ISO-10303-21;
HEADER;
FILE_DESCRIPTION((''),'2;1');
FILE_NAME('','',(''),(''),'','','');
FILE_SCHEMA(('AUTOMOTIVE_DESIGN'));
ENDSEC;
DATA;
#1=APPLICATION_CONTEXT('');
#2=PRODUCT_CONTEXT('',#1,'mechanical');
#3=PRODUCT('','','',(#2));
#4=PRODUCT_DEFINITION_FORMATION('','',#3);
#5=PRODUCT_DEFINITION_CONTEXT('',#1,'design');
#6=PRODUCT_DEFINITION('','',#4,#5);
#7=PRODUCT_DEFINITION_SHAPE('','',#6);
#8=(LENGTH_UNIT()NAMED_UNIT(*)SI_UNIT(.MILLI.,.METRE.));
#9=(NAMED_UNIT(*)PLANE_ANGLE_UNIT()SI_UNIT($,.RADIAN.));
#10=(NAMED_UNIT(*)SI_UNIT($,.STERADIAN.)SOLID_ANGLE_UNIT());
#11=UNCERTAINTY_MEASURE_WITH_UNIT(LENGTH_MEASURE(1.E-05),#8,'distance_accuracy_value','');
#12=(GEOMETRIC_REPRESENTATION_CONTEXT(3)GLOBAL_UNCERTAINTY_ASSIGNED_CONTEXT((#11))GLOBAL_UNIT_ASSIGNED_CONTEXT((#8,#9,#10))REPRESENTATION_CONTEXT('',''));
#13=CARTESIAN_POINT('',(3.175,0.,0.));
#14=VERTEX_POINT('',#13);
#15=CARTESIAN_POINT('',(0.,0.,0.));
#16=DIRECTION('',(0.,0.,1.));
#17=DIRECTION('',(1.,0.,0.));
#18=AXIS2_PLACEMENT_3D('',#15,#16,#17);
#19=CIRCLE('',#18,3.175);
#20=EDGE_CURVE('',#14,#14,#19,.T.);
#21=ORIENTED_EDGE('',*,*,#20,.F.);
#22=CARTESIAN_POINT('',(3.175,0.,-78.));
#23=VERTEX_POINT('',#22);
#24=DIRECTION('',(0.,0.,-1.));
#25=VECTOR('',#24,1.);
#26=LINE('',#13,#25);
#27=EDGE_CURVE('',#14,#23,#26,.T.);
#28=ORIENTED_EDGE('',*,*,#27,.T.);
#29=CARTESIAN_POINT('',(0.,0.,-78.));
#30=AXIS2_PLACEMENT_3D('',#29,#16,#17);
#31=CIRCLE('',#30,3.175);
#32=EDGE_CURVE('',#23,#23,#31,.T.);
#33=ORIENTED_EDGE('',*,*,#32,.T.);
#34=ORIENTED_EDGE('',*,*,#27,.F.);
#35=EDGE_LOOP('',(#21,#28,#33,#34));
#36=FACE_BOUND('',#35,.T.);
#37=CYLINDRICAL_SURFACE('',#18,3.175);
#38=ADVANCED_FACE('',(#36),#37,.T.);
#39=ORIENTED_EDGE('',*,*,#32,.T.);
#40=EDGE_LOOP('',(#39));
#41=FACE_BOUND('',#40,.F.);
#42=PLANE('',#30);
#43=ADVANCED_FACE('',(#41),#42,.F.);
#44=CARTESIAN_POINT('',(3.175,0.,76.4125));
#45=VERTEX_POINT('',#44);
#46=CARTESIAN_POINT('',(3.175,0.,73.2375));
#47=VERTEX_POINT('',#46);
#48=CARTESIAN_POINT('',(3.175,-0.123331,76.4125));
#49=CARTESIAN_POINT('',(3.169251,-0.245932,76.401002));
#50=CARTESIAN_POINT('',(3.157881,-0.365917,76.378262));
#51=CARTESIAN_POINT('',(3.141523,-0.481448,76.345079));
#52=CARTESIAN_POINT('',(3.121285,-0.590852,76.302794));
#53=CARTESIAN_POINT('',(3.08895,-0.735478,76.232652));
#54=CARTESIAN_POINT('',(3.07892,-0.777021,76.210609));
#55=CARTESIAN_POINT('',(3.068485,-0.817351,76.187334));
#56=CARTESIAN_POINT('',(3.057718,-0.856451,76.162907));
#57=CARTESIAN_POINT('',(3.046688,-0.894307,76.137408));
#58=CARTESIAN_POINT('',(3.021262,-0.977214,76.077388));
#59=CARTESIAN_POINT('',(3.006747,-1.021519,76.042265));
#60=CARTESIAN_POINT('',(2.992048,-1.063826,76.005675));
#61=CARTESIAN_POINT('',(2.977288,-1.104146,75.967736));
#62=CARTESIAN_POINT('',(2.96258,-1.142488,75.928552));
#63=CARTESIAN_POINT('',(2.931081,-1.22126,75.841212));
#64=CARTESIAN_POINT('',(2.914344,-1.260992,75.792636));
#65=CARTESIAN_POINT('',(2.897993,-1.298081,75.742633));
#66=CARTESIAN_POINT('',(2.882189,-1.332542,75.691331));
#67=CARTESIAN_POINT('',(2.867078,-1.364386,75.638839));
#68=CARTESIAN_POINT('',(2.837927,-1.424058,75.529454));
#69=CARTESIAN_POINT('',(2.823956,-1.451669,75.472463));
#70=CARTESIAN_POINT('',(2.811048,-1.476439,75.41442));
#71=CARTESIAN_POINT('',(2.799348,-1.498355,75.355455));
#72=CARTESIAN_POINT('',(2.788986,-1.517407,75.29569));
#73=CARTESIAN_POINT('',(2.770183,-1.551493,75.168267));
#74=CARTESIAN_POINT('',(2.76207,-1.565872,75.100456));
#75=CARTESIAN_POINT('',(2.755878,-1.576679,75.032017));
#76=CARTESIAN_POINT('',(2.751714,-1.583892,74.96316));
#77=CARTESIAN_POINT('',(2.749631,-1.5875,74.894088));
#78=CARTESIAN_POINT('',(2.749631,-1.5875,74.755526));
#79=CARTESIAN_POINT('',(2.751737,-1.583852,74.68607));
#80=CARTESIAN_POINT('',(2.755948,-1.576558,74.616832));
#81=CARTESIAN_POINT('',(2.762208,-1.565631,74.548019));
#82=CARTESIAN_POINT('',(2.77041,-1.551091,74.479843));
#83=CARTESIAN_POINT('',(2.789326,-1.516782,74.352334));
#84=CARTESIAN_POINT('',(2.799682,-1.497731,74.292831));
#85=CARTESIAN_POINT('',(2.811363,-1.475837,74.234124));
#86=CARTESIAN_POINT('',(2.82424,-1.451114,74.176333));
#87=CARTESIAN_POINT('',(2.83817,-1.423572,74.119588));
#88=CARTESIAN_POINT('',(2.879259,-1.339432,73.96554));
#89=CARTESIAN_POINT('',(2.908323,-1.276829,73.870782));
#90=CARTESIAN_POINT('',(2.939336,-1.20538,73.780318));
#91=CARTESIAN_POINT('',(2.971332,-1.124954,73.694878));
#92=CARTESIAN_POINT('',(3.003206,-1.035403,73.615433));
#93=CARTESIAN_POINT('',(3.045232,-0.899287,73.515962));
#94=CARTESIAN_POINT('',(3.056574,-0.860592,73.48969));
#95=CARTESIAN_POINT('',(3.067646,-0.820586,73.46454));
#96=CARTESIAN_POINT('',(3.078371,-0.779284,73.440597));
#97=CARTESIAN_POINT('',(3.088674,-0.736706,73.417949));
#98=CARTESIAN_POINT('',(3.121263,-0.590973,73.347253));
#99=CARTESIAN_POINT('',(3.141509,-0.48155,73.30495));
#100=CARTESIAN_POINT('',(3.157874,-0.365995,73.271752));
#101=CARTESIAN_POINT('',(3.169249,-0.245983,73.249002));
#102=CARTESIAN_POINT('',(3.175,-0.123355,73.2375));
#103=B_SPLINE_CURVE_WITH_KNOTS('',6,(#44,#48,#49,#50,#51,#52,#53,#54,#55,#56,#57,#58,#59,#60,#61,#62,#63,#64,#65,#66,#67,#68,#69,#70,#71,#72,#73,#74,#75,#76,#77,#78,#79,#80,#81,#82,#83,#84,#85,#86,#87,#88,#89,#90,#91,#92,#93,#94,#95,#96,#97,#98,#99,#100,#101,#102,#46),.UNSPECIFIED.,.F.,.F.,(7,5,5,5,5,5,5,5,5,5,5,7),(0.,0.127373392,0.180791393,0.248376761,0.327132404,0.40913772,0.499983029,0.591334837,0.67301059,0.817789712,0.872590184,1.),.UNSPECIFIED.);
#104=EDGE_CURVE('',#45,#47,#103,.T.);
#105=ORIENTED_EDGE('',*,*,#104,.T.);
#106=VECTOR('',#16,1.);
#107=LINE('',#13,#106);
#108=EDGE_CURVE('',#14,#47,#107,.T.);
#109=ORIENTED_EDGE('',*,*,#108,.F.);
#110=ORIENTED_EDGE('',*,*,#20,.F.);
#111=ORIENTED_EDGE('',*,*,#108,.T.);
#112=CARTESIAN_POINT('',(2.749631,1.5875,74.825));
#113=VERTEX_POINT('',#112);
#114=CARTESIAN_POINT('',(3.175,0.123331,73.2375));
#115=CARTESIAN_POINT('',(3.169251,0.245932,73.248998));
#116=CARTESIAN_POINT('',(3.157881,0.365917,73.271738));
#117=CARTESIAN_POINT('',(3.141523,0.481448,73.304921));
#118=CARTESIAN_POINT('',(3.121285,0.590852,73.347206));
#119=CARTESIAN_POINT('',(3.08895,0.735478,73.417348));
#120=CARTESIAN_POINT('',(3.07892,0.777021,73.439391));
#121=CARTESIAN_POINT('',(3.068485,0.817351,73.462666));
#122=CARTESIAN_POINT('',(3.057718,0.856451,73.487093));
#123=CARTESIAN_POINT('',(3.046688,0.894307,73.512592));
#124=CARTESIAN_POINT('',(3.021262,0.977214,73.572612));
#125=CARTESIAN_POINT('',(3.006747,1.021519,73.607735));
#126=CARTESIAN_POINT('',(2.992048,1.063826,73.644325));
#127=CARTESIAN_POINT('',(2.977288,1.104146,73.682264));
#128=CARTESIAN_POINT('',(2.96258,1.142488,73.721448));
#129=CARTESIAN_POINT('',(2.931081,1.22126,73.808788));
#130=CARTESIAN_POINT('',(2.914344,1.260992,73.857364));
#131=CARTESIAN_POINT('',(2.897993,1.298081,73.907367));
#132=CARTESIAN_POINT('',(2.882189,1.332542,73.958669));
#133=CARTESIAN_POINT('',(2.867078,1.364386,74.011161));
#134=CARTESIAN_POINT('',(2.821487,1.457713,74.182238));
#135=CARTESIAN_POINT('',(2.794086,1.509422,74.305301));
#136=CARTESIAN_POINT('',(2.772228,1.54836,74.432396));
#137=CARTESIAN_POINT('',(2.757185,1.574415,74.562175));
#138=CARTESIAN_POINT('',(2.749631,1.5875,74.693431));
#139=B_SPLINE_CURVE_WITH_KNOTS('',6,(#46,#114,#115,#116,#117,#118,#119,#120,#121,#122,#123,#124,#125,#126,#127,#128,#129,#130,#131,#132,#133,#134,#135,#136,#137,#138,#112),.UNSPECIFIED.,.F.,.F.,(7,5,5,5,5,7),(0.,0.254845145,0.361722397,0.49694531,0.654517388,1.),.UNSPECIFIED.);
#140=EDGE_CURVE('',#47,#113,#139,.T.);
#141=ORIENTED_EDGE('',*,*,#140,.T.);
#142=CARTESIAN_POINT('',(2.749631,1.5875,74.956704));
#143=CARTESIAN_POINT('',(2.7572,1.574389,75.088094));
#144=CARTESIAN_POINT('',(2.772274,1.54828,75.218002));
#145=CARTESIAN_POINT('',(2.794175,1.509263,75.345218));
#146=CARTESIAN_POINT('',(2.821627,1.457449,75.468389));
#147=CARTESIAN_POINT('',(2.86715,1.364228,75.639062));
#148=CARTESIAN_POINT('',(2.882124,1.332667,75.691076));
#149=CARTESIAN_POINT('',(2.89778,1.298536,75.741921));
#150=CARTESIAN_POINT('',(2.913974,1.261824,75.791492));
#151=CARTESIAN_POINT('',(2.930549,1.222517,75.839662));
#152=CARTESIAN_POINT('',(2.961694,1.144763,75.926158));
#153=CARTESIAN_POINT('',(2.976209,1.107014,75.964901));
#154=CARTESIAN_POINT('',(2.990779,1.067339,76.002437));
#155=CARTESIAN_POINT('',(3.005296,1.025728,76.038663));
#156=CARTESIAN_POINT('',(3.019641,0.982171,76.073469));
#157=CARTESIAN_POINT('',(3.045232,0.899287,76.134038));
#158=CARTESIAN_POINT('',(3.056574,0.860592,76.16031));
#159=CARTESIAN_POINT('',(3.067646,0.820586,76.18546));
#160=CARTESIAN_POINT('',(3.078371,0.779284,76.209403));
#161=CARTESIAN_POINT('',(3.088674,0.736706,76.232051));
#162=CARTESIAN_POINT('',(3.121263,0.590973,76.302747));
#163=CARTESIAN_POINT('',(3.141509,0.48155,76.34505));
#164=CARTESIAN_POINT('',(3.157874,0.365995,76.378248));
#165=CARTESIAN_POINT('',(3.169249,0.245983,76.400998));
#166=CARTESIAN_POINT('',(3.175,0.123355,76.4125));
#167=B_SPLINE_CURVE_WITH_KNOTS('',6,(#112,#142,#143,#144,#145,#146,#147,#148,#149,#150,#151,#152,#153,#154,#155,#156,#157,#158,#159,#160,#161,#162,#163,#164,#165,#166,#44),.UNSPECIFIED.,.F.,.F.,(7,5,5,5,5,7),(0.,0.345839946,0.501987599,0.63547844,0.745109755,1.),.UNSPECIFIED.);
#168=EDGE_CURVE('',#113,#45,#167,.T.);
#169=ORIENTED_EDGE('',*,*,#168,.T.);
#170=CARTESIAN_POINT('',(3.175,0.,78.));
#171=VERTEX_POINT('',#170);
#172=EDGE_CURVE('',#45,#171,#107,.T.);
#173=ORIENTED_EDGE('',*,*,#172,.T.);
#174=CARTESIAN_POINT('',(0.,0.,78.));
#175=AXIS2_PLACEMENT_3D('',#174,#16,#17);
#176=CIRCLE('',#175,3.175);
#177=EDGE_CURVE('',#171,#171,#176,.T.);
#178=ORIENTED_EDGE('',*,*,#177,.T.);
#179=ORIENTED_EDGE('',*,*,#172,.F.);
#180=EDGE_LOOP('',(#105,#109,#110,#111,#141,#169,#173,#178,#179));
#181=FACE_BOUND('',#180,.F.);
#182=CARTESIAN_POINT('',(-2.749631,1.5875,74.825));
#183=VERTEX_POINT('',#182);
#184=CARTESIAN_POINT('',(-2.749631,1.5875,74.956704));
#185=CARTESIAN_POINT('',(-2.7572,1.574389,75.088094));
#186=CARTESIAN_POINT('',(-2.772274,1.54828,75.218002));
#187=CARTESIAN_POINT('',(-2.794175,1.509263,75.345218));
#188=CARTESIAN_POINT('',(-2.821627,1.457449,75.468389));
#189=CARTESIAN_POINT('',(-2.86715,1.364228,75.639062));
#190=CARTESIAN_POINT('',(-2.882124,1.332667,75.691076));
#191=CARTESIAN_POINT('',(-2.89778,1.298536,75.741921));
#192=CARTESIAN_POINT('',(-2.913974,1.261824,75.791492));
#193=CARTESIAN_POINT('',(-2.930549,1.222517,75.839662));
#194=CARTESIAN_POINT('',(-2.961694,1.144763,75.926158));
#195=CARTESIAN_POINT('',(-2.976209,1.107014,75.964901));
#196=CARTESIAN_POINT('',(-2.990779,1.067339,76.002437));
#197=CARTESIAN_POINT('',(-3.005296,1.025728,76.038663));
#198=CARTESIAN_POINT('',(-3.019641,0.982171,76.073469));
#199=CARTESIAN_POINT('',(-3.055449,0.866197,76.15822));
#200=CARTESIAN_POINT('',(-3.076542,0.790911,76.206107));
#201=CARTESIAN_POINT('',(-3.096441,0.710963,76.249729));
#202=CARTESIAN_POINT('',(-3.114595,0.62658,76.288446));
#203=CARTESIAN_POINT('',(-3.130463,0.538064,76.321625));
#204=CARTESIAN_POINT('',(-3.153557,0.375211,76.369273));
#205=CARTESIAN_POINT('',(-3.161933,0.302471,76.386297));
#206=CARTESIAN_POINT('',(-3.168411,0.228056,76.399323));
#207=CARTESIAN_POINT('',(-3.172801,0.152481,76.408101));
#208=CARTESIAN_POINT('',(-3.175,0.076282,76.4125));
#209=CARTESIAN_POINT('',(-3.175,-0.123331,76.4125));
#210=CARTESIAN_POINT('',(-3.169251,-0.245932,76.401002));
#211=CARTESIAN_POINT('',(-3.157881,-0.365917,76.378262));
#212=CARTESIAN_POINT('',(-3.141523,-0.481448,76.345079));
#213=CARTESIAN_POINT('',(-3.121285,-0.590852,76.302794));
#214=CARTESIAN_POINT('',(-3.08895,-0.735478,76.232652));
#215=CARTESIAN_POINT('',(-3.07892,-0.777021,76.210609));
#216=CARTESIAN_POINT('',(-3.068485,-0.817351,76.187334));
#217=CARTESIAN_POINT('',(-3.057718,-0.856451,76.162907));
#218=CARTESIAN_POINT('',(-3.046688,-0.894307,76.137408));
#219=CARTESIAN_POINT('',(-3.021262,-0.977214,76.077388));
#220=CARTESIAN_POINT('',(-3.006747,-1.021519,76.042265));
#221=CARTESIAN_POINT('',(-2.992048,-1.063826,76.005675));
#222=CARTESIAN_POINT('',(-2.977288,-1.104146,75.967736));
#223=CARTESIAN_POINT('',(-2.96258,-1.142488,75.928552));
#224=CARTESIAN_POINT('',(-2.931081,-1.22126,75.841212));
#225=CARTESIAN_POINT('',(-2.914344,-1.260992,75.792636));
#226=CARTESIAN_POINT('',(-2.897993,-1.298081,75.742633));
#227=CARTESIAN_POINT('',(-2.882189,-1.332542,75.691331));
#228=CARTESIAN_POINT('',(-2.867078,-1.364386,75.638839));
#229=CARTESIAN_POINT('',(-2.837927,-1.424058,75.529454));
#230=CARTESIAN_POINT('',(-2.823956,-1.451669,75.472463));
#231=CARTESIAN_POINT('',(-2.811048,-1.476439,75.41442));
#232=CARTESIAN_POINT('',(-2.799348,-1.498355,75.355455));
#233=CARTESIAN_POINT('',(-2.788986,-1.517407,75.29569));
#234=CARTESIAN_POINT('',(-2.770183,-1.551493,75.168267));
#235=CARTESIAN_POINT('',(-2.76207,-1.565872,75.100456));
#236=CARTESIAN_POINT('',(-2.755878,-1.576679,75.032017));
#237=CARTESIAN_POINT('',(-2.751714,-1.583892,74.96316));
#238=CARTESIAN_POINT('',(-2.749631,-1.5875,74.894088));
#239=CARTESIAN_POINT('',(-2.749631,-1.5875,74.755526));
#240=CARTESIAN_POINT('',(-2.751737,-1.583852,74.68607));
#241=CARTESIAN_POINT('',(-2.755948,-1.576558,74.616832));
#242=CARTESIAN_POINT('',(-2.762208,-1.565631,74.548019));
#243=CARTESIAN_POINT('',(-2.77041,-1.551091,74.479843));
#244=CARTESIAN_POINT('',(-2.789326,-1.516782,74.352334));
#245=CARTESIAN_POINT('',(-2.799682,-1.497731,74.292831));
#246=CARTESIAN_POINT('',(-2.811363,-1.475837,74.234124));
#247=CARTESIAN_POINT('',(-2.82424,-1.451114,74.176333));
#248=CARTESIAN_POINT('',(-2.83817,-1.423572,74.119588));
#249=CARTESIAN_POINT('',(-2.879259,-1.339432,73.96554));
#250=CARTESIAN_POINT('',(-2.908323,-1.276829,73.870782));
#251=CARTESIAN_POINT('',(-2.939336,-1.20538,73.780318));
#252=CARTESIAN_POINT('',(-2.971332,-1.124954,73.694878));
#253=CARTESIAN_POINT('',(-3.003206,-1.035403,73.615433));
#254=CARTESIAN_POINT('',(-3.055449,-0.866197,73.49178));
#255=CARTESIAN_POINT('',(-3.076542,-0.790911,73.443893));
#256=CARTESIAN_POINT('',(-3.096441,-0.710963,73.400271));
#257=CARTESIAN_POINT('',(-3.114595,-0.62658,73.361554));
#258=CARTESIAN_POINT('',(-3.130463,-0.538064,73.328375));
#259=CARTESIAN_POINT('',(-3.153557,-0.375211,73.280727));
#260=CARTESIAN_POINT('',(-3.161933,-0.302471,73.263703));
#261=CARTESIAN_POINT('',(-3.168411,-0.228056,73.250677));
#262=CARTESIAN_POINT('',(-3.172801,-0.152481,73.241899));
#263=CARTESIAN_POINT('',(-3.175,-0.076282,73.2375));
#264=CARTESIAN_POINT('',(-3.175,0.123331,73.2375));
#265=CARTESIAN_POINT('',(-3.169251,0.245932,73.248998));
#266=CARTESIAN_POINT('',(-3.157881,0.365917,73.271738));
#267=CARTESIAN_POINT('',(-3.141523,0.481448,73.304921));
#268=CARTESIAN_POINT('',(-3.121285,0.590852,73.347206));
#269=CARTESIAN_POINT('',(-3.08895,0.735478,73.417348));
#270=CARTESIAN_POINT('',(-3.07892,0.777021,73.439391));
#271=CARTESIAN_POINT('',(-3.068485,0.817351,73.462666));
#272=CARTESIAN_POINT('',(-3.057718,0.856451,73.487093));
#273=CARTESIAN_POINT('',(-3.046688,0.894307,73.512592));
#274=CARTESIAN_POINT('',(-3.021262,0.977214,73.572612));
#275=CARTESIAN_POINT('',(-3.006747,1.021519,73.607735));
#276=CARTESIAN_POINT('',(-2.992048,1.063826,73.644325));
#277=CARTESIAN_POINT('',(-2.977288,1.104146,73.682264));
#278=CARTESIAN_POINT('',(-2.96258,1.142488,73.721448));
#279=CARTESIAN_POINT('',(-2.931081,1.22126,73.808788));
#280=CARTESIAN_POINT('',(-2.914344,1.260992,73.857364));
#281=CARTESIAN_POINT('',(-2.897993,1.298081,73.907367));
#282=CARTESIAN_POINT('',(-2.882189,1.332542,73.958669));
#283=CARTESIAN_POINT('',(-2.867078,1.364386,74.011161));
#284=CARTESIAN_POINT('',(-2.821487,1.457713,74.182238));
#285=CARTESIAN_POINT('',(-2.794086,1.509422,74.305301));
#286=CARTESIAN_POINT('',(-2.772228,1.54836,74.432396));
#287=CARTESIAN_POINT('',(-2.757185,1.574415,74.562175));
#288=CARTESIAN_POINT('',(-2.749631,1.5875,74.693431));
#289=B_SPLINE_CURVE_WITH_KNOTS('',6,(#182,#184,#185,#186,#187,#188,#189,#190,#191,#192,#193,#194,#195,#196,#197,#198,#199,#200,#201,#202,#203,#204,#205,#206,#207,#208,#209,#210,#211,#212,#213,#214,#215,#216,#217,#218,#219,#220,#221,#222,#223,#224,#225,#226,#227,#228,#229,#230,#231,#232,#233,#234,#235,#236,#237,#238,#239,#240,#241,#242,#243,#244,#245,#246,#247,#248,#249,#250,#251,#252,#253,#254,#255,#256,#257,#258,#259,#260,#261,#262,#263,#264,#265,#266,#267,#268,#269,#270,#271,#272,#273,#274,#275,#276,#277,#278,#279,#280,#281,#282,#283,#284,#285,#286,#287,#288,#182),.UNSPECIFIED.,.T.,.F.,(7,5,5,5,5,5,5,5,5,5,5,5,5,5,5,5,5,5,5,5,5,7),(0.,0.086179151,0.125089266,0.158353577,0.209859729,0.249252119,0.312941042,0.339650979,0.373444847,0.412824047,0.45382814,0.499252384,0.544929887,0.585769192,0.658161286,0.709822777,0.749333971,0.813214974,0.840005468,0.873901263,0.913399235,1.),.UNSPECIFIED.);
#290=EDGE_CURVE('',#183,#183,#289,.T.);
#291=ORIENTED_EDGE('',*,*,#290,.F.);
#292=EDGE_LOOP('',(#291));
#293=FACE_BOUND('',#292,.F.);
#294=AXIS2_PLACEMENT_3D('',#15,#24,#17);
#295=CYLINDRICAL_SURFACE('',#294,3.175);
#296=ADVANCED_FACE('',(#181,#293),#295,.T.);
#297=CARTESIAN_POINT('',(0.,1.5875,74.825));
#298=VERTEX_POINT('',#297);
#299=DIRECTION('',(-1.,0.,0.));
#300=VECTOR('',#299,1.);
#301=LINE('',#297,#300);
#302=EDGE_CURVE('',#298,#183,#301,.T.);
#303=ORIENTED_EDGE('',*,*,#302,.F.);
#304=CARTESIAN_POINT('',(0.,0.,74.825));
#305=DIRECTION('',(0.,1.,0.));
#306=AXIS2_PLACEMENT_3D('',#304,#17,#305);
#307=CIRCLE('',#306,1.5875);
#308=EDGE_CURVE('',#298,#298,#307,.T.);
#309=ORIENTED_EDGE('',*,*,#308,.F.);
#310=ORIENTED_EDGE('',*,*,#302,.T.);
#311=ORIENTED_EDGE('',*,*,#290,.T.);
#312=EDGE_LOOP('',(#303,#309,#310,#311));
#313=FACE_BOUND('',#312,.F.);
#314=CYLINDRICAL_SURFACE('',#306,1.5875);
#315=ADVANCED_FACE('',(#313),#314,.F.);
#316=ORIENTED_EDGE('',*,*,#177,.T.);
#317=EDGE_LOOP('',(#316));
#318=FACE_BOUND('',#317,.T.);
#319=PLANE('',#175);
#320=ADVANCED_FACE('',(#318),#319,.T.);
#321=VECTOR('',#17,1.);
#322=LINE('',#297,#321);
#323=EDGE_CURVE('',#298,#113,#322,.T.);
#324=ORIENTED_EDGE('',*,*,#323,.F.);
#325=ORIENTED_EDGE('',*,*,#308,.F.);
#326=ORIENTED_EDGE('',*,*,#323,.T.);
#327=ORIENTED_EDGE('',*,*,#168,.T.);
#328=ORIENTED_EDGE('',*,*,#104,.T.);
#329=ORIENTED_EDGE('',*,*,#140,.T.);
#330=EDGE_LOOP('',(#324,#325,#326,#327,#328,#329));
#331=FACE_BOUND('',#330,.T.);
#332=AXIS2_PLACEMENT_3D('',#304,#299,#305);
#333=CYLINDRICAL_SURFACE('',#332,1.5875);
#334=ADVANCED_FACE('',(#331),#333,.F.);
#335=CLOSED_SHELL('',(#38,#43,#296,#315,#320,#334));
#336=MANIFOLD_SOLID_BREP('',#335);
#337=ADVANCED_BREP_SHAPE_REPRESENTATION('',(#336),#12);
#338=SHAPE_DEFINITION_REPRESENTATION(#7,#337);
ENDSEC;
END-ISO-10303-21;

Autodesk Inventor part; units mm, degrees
ref_plane "YZ Plane" through (0, 0, 0) normal (1, 0, 0) x (0, 1, 0)
ref_plane "XZ Plane" through (0, 0, 0) normal (0, 1, 0) x (-1, 0, 0)
ref_plane "XY Plane" through (0, 0, 0) normal (0, 0, 1) x (1, 0, 0)
sketch "Sketch1" plane through (0, 0, 0) normal (0, 0, 1) x (1, 0, 0)
  circle A0 centre (0, 0) radius 3.175
  dimension "d0" = 6.35
extrude "Extrusion1" add sketch "Sketch1" along normal mid plane 156
sketch "Sketch2" plane through (0, 0, 0) normal (1, 0, 0) x (0, 1, 0)
  circle A0 centre (0, 74.825) radius 1.5875
  line L0 (3.175, 78) -> (-3.175, 78) projected
  point P0 (0, 0)
  point P1 (0, 78)
  dimension "d3" = 3.175
  dimension "d4" = 3.175
extrude "Extrusion2" cut sketch "Sketch2" along normal through all both and the other way through all
properties part number "CONTERWEIGHT_SHAFT_TREBUCHET" material "Wood (Birch)"
